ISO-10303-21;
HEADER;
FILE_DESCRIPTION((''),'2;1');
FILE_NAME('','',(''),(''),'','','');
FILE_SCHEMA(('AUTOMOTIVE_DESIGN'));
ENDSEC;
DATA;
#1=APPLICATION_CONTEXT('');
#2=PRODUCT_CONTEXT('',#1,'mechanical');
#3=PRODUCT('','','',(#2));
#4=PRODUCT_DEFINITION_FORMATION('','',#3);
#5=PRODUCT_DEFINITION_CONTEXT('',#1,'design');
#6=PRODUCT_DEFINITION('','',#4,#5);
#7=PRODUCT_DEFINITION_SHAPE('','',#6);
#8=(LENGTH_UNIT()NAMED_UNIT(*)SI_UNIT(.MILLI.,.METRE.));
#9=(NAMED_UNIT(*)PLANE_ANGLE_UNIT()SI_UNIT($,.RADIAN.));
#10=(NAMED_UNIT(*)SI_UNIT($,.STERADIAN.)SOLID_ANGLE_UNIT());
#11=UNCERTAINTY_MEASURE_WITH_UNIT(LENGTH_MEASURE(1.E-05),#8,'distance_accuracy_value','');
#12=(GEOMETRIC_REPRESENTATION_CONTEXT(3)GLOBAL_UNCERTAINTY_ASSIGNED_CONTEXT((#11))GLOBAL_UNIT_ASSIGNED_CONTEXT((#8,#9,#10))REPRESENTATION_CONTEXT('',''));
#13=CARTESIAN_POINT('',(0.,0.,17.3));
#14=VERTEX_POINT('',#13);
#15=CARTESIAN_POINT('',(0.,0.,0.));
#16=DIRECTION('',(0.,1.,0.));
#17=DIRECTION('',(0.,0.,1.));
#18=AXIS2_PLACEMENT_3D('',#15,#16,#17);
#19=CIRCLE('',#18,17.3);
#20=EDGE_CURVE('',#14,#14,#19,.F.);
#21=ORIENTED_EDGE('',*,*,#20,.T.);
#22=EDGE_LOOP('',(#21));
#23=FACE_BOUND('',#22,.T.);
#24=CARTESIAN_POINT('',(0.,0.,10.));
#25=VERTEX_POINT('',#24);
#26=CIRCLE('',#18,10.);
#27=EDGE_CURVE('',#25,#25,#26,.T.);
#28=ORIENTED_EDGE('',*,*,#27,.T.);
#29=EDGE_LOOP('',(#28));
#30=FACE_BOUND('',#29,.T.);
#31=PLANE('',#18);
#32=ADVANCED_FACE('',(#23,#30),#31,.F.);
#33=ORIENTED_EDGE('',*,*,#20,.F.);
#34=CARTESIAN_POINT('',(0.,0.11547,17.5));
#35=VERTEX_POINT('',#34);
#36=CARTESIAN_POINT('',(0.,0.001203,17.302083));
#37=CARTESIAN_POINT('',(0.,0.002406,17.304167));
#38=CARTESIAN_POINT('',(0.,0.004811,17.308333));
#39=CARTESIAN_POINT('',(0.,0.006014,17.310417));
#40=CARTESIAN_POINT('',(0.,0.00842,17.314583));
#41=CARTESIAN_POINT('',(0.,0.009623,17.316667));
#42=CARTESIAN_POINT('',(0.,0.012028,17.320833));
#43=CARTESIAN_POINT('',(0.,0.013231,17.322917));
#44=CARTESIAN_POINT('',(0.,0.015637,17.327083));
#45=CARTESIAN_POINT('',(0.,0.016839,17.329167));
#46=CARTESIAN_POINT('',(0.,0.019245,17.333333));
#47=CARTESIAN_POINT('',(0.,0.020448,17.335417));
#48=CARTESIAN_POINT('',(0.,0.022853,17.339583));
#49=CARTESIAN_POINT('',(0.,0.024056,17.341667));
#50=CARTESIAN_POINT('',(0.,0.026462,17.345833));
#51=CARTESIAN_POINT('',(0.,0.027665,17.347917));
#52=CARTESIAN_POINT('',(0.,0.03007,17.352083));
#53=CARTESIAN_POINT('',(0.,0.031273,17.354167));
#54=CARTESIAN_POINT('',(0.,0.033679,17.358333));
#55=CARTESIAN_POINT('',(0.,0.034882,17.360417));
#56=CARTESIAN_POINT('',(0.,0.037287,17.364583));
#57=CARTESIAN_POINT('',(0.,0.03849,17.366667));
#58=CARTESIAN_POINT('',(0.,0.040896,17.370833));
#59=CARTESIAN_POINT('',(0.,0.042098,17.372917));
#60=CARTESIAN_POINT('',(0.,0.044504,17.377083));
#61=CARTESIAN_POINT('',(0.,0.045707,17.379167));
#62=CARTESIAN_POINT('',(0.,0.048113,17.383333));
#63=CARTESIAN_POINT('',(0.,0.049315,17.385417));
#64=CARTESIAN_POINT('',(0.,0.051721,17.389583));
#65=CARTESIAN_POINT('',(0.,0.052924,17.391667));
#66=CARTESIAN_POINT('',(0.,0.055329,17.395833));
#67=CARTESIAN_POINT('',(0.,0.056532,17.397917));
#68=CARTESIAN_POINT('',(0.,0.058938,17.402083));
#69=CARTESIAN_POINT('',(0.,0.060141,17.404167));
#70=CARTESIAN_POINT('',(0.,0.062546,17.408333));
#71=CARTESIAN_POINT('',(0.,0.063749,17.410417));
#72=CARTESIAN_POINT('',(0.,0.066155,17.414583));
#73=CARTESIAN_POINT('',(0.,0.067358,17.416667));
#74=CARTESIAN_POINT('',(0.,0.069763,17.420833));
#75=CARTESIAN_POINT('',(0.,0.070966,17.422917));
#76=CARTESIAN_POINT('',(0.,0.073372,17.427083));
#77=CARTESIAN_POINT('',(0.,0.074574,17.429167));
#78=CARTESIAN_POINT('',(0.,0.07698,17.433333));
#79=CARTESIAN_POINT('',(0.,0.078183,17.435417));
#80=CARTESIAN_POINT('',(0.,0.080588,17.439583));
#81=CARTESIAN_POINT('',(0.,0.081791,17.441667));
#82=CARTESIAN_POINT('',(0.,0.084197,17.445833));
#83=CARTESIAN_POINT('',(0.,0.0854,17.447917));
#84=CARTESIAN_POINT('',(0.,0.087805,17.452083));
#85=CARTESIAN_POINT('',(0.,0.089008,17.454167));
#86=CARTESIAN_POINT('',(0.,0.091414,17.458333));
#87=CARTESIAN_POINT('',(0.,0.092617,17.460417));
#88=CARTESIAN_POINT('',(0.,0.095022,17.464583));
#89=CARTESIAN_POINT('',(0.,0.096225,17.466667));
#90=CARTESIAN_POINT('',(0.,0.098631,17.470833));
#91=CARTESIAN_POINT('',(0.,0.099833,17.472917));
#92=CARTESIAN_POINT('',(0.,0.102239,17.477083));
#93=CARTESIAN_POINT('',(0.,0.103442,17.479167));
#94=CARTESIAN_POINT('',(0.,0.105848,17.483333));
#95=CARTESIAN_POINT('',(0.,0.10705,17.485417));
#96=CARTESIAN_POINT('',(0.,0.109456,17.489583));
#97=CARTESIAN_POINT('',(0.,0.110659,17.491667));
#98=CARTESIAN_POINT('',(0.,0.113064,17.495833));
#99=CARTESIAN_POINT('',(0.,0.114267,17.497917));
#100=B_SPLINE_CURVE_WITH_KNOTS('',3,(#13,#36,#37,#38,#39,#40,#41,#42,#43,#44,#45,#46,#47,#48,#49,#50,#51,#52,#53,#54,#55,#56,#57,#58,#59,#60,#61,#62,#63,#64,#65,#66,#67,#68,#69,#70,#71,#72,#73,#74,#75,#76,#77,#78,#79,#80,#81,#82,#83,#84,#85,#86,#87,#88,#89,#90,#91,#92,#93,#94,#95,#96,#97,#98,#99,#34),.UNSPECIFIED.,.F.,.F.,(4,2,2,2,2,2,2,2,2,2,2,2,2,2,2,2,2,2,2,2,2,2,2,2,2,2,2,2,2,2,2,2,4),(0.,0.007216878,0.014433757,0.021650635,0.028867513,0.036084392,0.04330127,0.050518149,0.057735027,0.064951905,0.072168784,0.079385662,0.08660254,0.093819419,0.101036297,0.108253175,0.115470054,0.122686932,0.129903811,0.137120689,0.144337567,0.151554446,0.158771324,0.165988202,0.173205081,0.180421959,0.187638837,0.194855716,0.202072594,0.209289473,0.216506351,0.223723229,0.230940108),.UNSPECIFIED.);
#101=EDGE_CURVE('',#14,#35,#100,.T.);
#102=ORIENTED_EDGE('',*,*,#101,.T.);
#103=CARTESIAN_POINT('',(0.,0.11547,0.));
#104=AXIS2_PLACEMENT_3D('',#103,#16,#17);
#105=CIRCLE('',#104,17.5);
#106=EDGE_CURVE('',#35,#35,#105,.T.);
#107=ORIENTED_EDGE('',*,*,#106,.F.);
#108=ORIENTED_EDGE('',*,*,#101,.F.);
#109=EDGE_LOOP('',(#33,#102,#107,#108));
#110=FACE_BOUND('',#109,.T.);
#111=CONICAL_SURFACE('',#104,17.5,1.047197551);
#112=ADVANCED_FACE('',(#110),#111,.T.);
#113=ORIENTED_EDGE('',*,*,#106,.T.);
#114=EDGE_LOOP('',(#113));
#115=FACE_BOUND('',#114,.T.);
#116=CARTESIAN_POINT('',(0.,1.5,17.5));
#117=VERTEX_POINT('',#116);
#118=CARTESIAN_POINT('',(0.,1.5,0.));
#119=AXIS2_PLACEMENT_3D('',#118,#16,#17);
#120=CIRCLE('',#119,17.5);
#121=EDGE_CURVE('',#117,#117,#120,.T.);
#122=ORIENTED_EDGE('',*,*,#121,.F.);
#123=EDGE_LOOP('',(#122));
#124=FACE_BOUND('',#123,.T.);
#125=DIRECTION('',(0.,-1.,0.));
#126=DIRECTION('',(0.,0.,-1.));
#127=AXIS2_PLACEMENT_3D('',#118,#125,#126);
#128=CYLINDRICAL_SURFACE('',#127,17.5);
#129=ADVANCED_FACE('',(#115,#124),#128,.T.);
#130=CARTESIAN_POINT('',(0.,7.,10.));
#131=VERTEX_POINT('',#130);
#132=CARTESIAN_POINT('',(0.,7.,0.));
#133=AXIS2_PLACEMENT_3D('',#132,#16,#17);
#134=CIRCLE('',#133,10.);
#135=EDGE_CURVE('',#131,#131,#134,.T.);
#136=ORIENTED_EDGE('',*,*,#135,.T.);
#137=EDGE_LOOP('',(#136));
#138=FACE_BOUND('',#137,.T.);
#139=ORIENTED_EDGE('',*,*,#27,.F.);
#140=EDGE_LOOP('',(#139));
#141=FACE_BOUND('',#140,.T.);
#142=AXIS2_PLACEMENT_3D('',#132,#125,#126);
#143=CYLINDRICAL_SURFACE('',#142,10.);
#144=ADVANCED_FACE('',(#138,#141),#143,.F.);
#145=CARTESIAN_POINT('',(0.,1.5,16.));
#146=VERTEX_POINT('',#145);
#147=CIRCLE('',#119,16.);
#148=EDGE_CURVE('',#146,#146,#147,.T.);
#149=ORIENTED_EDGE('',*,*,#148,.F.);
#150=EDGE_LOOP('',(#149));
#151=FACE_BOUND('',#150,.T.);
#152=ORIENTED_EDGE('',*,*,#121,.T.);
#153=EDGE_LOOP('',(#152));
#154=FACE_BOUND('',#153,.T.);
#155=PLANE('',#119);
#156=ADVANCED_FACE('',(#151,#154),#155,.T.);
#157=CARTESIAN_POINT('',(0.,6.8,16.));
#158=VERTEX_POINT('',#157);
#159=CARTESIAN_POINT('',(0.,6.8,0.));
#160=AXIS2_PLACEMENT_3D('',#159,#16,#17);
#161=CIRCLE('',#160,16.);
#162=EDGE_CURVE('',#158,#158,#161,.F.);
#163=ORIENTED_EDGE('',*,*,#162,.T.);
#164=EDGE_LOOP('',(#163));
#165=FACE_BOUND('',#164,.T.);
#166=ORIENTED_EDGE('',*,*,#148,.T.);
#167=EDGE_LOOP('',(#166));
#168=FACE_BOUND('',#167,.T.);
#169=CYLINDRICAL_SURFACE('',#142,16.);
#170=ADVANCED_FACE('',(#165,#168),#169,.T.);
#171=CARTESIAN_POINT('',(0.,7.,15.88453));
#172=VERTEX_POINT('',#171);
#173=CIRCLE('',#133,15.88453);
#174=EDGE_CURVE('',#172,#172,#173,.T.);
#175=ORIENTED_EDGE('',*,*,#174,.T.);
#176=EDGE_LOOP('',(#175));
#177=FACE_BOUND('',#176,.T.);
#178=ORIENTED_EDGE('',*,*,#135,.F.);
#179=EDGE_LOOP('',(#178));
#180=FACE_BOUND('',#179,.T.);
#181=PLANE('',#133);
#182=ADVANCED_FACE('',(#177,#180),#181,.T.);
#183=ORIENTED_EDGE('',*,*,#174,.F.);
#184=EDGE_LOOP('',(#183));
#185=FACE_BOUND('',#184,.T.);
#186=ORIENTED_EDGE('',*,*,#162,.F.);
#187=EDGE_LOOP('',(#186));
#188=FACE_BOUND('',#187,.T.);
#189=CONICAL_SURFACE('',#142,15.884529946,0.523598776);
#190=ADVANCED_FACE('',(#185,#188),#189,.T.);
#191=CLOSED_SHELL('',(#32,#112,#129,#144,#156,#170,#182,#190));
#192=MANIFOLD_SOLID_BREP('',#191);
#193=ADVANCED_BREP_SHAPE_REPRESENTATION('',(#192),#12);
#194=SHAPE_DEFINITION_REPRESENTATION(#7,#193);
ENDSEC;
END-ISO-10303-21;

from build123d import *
from OCP.BRepFilletAPI import BRepFilletAPI_MakeChamfer

# Parameters (mm, degrees)
SKETCH_1_R      = 16
SKETCH_1_R_2    = 10
EXTRUDE_1_DEPTH = 7
SKETCH_1_3_R    = 17.5
SKETCH_1_3_R_2  = 16
EXTRUDE_2_DEPTH = 1.5
CHAMFER_1_SIZE  = 0.2
CHAMFER_1_SIZE2 = 0.115470054


with BuildPart() as part:
    # 草图1 → 凸台-拉伸1 (new body)
    with BuildSketch(Plane(origin=(0, 0, 0), x_dir=(1, 0, 0), z_dir=(0, 1, 0))):
        Circle(SKETCH_1_R)
        Circle(SKETCH_1_R_2, mode=Mode.SUBTRACT)
    extrude(amount=EXTRUDE_1_DEPTH)

    # 草图1<3> → 凸台-拉伸2 (add)
    with BuildSketch(Plane(origin=(0, 0, 0), x_dir=(1, 0, 0), z_dir=(0, 1, 0))):
        Circle(SKETCH_1_3_R)
        Circle(SKETCH_1_3_R_2, mode=Mode.SUBTRACT)
    extrude(amount=EXTRUDE_2_DEPTH)

    # 倒角1: one chamfer whose edges measure the first distance from different faces: ONE call of the kernel's chamfer builder (chamfer() names one face for all edges)
    chamfer_1_edges_1 = [part.edges().sort_by_distance(p)[0] for p in [
        (-16, 7, 0),
    ]]
    chamfer_1_side_1 = [part.faces().sort_by_distance(p)[0] for p in [
        (-16, 4.25, 0),
    ]]
    chamfer_1_edges_2 = [part.edges().sort_by_distance(p)[0] for p in [
        (-17.5, 0, 0),
    ]]
    chamfer_1_side_2 = [part.faces().sort_by_distance(p)[0] for p in [
        (-17.005025253, 0, 0),
    ]]
    chamfer_1 = BRepFilletAPI_MakeChamfer(part.part.solid().wrapped)
    for e in chamfer_1_edges_1:
        chamfer_1.Add(CHAMFER_1_SIZE, CHAMFER_1_SIZE2, e.wrapped, chamfer_1_side_1[0].wrapped)  # the first distance lies on this face
    for e in chamfer_1_edges_2:
        chamfer_1.Add(CHAMFER_1_SIZE, CHAMFER_1_SIZE2, e.wrapped, chamfer_1_side_2[0].wrapped)  # the first distance lies on this face
    add(Compound.cast(chamfer_1.Shape()), mode=Mode.REPLACE)


solid = part.part
